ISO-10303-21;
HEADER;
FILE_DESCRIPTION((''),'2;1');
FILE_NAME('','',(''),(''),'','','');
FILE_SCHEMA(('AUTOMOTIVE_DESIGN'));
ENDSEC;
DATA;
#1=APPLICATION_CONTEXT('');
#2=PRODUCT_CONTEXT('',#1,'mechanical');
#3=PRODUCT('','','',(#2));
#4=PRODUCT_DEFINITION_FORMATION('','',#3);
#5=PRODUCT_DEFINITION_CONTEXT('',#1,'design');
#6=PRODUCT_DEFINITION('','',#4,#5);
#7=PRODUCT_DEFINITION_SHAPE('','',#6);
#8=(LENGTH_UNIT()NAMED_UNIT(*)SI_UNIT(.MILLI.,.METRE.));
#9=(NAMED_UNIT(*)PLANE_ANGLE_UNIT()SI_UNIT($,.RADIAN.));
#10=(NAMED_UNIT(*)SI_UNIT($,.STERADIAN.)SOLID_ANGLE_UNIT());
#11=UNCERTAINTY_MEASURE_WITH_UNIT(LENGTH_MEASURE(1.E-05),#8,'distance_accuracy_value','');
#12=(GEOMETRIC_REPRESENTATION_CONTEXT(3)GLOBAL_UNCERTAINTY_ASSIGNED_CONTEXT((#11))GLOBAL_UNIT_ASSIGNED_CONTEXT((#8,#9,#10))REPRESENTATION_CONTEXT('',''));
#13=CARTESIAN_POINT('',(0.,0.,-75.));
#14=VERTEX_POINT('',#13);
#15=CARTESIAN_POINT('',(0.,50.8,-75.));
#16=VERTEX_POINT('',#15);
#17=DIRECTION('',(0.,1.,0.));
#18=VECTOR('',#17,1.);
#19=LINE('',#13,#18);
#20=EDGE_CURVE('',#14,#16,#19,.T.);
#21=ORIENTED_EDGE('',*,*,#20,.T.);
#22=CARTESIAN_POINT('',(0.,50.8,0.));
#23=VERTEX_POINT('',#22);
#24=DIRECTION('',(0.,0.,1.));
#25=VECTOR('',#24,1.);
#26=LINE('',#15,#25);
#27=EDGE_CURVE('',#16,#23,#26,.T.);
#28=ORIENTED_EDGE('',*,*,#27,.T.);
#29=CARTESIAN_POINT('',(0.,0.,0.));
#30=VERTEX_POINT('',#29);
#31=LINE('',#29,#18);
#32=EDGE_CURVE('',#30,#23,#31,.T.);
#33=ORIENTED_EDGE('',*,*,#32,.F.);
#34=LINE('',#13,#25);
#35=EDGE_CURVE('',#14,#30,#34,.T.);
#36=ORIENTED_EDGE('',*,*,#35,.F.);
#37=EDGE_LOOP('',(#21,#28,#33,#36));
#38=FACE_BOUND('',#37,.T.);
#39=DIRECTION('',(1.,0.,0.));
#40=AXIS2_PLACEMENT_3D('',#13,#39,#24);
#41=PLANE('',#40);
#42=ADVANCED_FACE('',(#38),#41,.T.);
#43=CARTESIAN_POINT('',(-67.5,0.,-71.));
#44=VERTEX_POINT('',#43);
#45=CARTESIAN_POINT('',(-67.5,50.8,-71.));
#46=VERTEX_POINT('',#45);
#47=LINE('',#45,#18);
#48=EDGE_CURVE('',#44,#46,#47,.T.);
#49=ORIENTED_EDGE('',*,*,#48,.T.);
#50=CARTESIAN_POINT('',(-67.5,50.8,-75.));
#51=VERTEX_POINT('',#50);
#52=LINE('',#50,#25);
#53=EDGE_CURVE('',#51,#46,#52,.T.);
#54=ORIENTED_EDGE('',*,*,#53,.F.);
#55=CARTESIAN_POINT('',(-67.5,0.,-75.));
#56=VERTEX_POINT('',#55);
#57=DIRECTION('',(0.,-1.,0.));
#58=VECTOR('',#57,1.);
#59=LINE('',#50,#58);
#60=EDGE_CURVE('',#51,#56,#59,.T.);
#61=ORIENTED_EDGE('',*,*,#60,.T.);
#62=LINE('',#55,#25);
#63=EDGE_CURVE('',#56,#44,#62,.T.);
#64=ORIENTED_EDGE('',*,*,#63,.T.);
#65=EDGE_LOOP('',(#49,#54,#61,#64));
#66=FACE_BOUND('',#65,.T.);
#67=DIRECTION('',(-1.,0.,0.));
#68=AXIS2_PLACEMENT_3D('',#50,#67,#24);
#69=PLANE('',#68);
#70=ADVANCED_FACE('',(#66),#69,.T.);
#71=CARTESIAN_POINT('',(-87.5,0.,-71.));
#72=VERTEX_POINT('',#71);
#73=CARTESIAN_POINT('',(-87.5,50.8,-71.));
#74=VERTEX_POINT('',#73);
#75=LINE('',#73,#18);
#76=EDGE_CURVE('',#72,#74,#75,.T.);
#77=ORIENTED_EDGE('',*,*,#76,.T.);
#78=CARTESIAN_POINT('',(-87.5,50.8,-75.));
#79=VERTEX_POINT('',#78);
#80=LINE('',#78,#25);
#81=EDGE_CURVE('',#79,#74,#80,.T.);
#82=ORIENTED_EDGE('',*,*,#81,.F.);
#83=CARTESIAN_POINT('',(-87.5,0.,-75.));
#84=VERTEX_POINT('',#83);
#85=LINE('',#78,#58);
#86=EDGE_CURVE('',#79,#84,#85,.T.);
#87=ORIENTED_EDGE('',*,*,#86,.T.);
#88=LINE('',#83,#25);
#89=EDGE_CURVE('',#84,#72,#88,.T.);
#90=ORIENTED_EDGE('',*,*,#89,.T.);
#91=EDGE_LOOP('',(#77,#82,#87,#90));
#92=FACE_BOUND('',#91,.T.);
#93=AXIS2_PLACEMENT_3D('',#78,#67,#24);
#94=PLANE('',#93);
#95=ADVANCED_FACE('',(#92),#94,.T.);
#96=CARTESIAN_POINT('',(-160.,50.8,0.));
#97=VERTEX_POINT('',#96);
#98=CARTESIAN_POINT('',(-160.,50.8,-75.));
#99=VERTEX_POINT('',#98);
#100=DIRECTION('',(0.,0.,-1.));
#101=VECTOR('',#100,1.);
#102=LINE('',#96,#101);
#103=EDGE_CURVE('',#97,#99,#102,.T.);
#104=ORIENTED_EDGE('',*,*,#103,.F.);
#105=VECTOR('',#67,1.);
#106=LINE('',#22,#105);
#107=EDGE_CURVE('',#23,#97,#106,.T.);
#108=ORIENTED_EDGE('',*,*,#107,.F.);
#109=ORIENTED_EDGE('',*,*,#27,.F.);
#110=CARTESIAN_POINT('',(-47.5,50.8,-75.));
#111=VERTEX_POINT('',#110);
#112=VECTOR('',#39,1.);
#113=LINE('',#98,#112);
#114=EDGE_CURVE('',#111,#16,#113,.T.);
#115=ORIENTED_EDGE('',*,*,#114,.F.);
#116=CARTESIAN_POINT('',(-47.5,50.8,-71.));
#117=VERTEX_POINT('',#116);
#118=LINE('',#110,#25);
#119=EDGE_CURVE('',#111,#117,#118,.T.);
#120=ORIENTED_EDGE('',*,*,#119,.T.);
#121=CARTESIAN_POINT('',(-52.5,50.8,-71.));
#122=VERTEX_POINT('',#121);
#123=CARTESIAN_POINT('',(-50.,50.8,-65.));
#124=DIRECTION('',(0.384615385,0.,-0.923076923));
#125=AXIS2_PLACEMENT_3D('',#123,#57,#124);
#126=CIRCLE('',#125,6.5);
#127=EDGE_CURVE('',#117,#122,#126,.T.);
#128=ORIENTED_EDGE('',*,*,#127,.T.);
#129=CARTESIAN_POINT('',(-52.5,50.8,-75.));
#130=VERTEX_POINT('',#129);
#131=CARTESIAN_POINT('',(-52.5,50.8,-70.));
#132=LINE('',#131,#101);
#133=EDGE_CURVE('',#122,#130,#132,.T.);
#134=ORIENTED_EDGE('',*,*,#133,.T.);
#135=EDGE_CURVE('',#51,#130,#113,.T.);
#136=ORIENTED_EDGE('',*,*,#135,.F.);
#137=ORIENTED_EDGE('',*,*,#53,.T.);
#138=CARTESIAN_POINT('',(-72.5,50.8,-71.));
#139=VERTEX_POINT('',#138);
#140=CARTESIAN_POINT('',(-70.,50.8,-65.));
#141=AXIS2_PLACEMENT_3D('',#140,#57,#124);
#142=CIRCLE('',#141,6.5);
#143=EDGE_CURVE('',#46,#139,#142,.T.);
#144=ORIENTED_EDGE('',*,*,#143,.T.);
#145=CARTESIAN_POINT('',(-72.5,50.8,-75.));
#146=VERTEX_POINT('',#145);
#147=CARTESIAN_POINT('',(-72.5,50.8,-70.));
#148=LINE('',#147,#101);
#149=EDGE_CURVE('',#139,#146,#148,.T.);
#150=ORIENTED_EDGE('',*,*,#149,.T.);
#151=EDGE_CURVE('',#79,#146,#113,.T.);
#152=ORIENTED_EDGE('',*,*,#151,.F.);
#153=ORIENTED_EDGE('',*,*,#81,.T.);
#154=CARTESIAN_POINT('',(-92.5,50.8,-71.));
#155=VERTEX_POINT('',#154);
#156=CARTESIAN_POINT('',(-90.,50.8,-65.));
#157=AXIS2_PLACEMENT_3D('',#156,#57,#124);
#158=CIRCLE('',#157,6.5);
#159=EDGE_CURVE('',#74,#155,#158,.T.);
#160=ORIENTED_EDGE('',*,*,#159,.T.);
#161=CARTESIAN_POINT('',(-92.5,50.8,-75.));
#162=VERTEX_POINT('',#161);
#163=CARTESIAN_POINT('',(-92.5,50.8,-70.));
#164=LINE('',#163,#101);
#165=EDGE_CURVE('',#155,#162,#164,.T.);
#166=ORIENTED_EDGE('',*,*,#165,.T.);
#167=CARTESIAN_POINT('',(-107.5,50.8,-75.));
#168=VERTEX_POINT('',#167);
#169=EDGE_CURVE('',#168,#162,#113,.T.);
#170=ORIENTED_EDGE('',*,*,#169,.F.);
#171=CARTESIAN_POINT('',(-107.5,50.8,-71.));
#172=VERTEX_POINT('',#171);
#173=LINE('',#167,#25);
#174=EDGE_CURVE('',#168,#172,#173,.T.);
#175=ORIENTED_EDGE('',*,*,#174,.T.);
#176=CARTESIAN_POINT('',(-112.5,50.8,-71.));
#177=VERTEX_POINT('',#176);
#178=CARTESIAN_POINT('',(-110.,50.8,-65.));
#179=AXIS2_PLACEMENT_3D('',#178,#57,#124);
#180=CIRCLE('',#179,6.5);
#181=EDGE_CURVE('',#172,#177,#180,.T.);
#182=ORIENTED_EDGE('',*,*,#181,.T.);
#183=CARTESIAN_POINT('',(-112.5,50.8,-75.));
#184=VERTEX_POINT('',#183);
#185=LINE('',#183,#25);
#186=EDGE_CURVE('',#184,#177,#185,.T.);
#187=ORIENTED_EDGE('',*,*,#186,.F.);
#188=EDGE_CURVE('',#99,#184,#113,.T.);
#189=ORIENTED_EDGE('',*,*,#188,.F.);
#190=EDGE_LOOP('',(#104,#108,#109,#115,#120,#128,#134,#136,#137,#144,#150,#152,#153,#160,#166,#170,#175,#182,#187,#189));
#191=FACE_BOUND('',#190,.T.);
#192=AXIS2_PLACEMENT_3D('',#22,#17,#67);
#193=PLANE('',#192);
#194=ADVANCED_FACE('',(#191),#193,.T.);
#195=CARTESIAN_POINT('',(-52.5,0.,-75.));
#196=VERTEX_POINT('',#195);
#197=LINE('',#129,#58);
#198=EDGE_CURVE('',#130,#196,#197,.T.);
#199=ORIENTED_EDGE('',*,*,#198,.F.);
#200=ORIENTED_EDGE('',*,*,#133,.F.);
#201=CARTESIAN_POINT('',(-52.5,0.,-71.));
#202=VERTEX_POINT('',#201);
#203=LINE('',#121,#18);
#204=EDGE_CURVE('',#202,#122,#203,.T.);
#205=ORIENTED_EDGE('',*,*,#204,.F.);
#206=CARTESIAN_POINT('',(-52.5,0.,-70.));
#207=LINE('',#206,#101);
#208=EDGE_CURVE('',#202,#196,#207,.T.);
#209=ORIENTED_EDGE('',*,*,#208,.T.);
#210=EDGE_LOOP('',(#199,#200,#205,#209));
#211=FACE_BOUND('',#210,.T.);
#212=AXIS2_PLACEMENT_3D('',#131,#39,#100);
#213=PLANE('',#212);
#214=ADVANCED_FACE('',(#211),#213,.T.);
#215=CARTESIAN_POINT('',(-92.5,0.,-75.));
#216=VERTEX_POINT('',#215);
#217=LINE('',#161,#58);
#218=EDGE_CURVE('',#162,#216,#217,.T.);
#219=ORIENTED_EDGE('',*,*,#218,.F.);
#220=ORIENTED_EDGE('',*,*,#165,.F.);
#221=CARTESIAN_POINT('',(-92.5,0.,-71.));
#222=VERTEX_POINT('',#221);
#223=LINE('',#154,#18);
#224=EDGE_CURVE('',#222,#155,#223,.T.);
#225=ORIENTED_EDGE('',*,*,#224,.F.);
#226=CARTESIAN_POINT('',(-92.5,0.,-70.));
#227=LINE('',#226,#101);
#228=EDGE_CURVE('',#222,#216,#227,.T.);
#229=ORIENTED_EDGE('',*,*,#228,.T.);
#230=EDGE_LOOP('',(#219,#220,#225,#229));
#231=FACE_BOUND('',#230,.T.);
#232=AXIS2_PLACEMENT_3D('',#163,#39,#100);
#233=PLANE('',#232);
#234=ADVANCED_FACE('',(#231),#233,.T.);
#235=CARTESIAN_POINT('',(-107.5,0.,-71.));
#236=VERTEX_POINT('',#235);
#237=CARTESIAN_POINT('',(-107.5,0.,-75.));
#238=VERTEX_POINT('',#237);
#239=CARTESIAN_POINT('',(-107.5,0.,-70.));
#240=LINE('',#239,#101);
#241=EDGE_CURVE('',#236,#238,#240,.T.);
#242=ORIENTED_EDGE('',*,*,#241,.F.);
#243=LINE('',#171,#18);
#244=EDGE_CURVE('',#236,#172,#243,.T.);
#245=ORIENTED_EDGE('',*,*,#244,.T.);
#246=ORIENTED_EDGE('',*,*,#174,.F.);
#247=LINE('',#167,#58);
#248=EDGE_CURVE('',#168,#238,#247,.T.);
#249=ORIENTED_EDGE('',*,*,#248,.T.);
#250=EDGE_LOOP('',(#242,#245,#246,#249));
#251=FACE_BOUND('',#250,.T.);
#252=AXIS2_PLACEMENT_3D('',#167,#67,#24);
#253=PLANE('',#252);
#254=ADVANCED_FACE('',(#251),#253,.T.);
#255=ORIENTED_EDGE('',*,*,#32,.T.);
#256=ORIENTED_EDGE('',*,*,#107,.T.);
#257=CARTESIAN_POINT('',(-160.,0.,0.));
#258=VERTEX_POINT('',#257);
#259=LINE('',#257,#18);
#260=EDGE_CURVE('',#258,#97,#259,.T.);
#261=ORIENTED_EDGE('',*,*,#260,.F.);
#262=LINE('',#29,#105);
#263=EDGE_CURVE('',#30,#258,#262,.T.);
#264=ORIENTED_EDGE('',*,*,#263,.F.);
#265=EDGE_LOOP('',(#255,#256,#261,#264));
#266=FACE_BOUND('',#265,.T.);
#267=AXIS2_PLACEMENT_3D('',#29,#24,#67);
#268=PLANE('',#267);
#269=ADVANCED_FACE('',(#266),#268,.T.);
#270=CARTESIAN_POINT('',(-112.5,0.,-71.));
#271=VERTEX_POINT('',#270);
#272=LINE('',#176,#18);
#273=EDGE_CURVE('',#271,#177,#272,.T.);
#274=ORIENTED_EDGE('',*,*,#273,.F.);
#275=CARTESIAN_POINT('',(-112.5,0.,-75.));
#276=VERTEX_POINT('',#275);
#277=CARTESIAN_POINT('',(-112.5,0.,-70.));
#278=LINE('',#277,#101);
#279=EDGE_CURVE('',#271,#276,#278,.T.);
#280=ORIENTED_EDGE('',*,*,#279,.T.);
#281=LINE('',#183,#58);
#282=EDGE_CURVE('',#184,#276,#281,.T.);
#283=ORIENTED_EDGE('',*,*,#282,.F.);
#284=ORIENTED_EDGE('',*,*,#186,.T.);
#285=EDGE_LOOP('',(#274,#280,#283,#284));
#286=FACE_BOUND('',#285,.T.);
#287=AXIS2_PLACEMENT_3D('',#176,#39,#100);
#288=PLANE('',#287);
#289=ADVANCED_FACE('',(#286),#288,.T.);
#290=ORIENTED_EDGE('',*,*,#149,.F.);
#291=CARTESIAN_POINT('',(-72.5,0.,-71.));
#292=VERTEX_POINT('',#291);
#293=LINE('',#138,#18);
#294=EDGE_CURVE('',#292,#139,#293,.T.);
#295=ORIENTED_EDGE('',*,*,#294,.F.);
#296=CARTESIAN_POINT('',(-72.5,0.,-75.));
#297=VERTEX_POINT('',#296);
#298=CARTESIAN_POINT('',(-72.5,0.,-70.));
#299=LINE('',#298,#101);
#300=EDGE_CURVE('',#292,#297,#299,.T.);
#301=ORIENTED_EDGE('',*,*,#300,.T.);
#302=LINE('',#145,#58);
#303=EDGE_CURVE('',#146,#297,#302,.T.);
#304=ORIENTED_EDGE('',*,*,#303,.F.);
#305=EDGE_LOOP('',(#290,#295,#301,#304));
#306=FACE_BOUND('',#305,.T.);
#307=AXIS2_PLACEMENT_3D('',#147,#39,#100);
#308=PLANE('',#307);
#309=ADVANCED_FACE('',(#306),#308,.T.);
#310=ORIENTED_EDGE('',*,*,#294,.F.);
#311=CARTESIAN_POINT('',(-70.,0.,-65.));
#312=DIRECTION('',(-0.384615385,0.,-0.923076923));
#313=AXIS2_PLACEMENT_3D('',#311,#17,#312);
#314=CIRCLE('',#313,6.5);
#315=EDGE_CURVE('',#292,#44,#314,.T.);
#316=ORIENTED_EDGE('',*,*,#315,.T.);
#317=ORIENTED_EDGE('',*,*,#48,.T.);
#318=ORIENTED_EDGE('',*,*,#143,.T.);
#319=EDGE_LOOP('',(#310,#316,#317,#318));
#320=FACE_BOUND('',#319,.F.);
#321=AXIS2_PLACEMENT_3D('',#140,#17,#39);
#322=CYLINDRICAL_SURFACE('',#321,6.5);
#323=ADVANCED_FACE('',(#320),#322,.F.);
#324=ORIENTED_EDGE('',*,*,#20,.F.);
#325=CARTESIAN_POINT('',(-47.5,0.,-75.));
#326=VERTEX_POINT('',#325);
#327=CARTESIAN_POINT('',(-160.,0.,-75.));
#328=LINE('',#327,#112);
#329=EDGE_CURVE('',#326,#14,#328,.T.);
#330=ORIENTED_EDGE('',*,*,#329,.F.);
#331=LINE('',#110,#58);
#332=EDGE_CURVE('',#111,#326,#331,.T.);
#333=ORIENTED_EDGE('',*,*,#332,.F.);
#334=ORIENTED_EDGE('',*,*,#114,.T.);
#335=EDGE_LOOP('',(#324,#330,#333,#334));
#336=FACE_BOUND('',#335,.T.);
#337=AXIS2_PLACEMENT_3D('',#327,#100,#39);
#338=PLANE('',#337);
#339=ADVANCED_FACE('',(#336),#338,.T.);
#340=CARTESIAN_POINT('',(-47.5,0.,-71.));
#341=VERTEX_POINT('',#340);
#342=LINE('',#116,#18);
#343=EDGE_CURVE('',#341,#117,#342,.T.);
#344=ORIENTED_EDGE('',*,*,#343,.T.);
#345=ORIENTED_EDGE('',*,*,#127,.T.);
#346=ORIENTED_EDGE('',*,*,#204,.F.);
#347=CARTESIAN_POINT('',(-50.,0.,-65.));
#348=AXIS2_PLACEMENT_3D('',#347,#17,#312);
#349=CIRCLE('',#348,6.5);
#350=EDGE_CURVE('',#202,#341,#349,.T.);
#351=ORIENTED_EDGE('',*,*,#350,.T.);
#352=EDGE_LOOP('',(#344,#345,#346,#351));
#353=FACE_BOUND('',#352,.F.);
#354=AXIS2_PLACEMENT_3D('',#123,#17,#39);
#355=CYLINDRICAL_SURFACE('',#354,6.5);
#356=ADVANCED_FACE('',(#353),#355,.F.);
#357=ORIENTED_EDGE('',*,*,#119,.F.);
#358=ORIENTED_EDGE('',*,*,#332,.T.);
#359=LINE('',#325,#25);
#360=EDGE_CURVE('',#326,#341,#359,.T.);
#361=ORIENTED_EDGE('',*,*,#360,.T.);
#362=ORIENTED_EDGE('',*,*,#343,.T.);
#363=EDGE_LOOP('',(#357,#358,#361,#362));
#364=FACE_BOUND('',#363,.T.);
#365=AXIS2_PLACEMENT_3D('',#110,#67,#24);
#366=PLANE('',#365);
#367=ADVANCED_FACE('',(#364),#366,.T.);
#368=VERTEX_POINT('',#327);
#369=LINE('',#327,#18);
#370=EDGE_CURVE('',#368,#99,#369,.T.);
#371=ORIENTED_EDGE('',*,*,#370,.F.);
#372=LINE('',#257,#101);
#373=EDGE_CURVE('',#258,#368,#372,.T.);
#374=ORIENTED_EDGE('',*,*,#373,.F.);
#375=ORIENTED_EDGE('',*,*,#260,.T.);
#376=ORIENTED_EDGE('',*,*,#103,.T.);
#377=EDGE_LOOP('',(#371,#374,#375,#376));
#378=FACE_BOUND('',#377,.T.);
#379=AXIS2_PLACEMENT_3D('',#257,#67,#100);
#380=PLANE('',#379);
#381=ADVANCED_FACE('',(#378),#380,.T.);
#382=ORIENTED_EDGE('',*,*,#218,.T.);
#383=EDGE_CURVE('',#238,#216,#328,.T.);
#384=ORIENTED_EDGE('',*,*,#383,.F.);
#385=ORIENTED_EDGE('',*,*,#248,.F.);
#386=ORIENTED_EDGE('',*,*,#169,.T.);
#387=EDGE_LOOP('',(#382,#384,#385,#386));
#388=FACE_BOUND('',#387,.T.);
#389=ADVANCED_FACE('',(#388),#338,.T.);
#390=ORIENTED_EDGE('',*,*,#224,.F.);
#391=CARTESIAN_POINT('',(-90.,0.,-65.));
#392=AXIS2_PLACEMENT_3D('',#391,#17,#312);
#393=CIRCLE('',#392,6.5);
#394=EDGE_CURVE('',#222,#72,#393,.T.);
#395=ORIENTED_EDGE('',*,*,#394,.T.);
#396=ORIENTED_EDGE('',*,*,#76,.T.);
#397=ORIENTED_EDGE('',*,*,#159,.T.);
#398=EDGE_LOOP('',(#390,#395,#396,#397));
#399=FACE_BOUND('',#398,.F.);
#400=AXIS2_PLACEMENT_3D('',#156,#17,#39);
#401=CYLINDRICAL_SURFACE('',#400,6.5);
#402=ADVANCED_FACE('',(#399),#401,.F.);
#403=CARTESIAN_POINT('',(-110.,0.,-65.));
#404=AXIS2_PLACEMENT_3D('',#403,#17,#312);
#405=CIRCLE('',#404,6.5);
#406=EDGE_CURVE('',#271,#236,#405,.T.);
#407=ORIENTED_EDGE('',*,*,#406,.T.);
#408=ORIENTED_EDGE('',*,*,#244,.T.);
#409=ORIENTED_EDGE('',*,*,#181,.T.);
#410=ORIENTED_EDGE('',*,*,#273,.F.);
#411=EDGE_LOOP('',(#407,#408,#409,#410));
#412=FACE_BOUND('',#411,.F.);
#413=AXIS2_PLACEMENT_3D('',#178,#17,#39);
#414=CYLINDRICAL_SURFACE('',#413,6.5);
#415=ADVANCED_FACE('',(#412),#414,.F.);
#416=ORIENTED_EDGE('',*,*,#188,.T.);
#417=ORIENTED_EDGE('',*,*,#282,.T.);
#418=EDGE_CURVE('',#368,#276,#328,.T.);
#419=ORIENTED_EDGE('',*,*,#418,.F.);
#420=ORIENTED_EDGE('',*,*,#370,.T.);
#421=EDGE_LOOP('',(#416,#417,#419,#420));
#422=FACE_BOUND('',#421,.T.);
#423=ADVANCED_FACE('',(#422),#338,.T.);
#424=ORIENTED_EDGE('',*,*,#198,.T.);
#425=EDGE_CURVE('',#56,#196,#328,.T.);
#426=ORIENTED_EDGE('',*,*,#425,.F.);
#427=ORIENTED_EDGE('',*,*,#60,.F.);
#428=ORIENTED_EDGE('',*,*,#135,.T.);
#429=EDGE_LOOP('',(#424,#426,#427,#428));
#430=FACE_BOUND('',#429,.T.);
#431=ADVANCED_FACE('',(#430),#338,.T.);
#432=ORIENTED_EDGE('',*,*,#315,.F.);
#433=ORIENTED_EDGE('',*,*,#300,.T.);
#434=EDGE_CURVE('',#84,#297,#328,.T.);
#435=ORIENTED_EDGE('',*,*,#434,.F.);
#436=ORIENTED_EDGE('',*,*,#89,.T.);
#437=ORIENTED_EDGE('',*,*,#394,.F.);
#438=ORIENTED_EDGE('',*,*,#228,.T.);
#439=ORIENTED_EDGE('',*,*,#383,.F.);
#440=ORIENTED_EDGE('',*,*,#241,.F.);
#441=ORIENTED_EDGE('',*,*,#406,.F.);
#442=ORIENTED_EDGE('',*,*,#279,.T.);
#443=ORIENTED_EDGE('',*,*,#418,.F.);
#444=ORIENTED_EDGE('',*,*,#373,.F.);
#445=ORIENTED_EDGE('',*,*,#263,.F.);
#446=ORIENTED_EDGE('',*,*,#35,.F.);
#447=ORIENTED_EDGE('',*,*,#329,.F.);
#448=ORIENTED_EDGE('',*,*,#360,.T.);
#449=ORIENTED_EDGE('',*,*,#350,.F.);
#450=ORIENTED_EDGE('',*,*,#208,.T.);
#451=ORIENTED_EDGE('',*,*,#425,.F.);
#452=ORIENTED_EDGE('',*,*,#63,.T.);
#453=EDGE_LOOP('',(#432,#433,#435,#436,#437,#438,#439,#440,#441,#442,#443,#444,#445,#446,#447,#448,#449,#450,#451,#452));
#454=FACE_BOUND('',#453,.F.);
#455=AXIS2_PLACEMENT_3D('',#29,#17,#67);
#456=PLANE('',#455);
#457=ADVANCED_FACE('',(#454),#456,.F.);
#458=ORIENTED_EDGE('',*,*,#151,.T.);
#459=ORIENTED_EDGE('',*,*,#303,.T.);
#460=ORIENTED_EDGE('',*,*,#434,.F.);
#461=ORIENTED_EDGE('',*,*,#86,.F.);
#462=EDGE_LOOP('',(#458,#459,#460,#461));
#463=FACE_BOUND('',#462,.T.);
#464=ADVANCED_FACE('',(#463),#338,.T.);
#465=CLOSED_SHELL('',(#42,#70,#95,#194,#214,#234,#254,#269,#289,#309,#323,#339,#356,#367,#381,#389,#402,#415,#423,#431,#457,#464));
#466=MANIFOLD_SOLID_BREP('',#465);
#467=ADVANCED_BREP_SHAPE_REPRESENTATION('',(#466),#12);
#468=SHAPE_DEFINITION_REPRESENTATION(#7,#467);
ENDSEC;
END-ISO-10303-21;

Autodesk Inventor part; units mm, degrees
ref_plane "YZ Plane" through (0, 0, 0) normal (1, 0, 0) x (0, 1, 0)
ref_plane "XZ Plane" through (0, 0, 0) normal (0, 1, 0) x (-1, 0, 0)
ref_plane "XY Plane" through (0, 0, 0) normal (0, 0, 1) x (1, 0, 0)
sketch "Sketch1" plane through (0, 0, 0) normal (0, 1, 0) x (-1, 0, 0)
  line L0 (0, 0) -> (160, 0)
  line L1 (160, 0) -> (160, -75)
  line L2 (160, -75) -> (0, -75)
  line L3 (0, -75) -> (0, 0)
  dimension "d0" = 160
  dimension "d1" = 75
extrude "Extrusion1" add sketch "Sketch1" along normal blind 50.8
sketch "Sketch2" plane through (0, 50.8, 0) normal (0, 1, 0) x (1, 0, 0)
  circle A0 centre (-110, 65) radius 6.5
  line L0 (0, 75) -> (-160, 75) projected
  line L1 (-160, 75) -> (-160, 0) projected
  circle A1 centre (-90, 65) radius 6.5
  circle A2 centre (-70, 65) radius 6.5
  circle A3 centre (-50, 65) radius 6.5
  point P0 (0, 0)
  dimension "d4" = 13
  dimension "d5" = 10
  dimension "d6" = 50
  dimension "d12" = 20
extrude "Extrusion2" cut sketch "Sketch2" against normal blind 50.8
sketch "Sketch3" plane through (0, 50.8, 0) normal (0, 1, 0) x (1, 0, 0)
  line L0 (0, 75) -> (-160, 75) projected
  line L1 (-112.5, 75) -> (-107.5, 75)
  line L2 (-107.5, 75) -> (-107.5, 70)
  line L3 (-107.5, 70) -> (-112.5, 70)
  line L4 (-112.5, 70) -> (-112.5, 75)
  circle A0 centre (-110, 65) radius 6.5 projected
  line L5 (-87.5, 75) -> (-87.5, 70)
  line L6 (-87.5, 70) -> (-92.5, 70)
  line L7 (-92.5, 70) -> (-92.5, 75)
  line L8 (-92.5, 75) -> (-87.5, 75)
  line L9 (-67.5, 75) -> (-67.5, 70)
  line L10 (-67.5, 70) -> (-72.5, 70)
  line L11 (-72.5, 70) -> (-72.5, 75)
  line L12 (-72.5, 75) -> (-67.5, 75)
  line L13 (-47.5, 75) -> (-47.5, 70)
  line L14 (-47.5, 70) -> (-52.5, 70)
  line L15 (-52.5, 70) -> (-52.5, 75)
  line L16 (-52.5, 75) -> (-47.5, 75)
  point P0 (0, 0)
  dimension "d16" = 5
  dimension "d17" = 5
  dimension "d18" = 2.5
  dimension "d24" = 20
extrude "Extrusion3" cut sketch "Sketch3" against normal blind 50.8 contours L13 L14 L15 L0 | L2 A0 L4 L0 | L5 L6 L7 L0 | L9 L10 L11 L0 | L2 L3 L4 A0 picked at (-110, 70.5)
properties part number "Lateral"
